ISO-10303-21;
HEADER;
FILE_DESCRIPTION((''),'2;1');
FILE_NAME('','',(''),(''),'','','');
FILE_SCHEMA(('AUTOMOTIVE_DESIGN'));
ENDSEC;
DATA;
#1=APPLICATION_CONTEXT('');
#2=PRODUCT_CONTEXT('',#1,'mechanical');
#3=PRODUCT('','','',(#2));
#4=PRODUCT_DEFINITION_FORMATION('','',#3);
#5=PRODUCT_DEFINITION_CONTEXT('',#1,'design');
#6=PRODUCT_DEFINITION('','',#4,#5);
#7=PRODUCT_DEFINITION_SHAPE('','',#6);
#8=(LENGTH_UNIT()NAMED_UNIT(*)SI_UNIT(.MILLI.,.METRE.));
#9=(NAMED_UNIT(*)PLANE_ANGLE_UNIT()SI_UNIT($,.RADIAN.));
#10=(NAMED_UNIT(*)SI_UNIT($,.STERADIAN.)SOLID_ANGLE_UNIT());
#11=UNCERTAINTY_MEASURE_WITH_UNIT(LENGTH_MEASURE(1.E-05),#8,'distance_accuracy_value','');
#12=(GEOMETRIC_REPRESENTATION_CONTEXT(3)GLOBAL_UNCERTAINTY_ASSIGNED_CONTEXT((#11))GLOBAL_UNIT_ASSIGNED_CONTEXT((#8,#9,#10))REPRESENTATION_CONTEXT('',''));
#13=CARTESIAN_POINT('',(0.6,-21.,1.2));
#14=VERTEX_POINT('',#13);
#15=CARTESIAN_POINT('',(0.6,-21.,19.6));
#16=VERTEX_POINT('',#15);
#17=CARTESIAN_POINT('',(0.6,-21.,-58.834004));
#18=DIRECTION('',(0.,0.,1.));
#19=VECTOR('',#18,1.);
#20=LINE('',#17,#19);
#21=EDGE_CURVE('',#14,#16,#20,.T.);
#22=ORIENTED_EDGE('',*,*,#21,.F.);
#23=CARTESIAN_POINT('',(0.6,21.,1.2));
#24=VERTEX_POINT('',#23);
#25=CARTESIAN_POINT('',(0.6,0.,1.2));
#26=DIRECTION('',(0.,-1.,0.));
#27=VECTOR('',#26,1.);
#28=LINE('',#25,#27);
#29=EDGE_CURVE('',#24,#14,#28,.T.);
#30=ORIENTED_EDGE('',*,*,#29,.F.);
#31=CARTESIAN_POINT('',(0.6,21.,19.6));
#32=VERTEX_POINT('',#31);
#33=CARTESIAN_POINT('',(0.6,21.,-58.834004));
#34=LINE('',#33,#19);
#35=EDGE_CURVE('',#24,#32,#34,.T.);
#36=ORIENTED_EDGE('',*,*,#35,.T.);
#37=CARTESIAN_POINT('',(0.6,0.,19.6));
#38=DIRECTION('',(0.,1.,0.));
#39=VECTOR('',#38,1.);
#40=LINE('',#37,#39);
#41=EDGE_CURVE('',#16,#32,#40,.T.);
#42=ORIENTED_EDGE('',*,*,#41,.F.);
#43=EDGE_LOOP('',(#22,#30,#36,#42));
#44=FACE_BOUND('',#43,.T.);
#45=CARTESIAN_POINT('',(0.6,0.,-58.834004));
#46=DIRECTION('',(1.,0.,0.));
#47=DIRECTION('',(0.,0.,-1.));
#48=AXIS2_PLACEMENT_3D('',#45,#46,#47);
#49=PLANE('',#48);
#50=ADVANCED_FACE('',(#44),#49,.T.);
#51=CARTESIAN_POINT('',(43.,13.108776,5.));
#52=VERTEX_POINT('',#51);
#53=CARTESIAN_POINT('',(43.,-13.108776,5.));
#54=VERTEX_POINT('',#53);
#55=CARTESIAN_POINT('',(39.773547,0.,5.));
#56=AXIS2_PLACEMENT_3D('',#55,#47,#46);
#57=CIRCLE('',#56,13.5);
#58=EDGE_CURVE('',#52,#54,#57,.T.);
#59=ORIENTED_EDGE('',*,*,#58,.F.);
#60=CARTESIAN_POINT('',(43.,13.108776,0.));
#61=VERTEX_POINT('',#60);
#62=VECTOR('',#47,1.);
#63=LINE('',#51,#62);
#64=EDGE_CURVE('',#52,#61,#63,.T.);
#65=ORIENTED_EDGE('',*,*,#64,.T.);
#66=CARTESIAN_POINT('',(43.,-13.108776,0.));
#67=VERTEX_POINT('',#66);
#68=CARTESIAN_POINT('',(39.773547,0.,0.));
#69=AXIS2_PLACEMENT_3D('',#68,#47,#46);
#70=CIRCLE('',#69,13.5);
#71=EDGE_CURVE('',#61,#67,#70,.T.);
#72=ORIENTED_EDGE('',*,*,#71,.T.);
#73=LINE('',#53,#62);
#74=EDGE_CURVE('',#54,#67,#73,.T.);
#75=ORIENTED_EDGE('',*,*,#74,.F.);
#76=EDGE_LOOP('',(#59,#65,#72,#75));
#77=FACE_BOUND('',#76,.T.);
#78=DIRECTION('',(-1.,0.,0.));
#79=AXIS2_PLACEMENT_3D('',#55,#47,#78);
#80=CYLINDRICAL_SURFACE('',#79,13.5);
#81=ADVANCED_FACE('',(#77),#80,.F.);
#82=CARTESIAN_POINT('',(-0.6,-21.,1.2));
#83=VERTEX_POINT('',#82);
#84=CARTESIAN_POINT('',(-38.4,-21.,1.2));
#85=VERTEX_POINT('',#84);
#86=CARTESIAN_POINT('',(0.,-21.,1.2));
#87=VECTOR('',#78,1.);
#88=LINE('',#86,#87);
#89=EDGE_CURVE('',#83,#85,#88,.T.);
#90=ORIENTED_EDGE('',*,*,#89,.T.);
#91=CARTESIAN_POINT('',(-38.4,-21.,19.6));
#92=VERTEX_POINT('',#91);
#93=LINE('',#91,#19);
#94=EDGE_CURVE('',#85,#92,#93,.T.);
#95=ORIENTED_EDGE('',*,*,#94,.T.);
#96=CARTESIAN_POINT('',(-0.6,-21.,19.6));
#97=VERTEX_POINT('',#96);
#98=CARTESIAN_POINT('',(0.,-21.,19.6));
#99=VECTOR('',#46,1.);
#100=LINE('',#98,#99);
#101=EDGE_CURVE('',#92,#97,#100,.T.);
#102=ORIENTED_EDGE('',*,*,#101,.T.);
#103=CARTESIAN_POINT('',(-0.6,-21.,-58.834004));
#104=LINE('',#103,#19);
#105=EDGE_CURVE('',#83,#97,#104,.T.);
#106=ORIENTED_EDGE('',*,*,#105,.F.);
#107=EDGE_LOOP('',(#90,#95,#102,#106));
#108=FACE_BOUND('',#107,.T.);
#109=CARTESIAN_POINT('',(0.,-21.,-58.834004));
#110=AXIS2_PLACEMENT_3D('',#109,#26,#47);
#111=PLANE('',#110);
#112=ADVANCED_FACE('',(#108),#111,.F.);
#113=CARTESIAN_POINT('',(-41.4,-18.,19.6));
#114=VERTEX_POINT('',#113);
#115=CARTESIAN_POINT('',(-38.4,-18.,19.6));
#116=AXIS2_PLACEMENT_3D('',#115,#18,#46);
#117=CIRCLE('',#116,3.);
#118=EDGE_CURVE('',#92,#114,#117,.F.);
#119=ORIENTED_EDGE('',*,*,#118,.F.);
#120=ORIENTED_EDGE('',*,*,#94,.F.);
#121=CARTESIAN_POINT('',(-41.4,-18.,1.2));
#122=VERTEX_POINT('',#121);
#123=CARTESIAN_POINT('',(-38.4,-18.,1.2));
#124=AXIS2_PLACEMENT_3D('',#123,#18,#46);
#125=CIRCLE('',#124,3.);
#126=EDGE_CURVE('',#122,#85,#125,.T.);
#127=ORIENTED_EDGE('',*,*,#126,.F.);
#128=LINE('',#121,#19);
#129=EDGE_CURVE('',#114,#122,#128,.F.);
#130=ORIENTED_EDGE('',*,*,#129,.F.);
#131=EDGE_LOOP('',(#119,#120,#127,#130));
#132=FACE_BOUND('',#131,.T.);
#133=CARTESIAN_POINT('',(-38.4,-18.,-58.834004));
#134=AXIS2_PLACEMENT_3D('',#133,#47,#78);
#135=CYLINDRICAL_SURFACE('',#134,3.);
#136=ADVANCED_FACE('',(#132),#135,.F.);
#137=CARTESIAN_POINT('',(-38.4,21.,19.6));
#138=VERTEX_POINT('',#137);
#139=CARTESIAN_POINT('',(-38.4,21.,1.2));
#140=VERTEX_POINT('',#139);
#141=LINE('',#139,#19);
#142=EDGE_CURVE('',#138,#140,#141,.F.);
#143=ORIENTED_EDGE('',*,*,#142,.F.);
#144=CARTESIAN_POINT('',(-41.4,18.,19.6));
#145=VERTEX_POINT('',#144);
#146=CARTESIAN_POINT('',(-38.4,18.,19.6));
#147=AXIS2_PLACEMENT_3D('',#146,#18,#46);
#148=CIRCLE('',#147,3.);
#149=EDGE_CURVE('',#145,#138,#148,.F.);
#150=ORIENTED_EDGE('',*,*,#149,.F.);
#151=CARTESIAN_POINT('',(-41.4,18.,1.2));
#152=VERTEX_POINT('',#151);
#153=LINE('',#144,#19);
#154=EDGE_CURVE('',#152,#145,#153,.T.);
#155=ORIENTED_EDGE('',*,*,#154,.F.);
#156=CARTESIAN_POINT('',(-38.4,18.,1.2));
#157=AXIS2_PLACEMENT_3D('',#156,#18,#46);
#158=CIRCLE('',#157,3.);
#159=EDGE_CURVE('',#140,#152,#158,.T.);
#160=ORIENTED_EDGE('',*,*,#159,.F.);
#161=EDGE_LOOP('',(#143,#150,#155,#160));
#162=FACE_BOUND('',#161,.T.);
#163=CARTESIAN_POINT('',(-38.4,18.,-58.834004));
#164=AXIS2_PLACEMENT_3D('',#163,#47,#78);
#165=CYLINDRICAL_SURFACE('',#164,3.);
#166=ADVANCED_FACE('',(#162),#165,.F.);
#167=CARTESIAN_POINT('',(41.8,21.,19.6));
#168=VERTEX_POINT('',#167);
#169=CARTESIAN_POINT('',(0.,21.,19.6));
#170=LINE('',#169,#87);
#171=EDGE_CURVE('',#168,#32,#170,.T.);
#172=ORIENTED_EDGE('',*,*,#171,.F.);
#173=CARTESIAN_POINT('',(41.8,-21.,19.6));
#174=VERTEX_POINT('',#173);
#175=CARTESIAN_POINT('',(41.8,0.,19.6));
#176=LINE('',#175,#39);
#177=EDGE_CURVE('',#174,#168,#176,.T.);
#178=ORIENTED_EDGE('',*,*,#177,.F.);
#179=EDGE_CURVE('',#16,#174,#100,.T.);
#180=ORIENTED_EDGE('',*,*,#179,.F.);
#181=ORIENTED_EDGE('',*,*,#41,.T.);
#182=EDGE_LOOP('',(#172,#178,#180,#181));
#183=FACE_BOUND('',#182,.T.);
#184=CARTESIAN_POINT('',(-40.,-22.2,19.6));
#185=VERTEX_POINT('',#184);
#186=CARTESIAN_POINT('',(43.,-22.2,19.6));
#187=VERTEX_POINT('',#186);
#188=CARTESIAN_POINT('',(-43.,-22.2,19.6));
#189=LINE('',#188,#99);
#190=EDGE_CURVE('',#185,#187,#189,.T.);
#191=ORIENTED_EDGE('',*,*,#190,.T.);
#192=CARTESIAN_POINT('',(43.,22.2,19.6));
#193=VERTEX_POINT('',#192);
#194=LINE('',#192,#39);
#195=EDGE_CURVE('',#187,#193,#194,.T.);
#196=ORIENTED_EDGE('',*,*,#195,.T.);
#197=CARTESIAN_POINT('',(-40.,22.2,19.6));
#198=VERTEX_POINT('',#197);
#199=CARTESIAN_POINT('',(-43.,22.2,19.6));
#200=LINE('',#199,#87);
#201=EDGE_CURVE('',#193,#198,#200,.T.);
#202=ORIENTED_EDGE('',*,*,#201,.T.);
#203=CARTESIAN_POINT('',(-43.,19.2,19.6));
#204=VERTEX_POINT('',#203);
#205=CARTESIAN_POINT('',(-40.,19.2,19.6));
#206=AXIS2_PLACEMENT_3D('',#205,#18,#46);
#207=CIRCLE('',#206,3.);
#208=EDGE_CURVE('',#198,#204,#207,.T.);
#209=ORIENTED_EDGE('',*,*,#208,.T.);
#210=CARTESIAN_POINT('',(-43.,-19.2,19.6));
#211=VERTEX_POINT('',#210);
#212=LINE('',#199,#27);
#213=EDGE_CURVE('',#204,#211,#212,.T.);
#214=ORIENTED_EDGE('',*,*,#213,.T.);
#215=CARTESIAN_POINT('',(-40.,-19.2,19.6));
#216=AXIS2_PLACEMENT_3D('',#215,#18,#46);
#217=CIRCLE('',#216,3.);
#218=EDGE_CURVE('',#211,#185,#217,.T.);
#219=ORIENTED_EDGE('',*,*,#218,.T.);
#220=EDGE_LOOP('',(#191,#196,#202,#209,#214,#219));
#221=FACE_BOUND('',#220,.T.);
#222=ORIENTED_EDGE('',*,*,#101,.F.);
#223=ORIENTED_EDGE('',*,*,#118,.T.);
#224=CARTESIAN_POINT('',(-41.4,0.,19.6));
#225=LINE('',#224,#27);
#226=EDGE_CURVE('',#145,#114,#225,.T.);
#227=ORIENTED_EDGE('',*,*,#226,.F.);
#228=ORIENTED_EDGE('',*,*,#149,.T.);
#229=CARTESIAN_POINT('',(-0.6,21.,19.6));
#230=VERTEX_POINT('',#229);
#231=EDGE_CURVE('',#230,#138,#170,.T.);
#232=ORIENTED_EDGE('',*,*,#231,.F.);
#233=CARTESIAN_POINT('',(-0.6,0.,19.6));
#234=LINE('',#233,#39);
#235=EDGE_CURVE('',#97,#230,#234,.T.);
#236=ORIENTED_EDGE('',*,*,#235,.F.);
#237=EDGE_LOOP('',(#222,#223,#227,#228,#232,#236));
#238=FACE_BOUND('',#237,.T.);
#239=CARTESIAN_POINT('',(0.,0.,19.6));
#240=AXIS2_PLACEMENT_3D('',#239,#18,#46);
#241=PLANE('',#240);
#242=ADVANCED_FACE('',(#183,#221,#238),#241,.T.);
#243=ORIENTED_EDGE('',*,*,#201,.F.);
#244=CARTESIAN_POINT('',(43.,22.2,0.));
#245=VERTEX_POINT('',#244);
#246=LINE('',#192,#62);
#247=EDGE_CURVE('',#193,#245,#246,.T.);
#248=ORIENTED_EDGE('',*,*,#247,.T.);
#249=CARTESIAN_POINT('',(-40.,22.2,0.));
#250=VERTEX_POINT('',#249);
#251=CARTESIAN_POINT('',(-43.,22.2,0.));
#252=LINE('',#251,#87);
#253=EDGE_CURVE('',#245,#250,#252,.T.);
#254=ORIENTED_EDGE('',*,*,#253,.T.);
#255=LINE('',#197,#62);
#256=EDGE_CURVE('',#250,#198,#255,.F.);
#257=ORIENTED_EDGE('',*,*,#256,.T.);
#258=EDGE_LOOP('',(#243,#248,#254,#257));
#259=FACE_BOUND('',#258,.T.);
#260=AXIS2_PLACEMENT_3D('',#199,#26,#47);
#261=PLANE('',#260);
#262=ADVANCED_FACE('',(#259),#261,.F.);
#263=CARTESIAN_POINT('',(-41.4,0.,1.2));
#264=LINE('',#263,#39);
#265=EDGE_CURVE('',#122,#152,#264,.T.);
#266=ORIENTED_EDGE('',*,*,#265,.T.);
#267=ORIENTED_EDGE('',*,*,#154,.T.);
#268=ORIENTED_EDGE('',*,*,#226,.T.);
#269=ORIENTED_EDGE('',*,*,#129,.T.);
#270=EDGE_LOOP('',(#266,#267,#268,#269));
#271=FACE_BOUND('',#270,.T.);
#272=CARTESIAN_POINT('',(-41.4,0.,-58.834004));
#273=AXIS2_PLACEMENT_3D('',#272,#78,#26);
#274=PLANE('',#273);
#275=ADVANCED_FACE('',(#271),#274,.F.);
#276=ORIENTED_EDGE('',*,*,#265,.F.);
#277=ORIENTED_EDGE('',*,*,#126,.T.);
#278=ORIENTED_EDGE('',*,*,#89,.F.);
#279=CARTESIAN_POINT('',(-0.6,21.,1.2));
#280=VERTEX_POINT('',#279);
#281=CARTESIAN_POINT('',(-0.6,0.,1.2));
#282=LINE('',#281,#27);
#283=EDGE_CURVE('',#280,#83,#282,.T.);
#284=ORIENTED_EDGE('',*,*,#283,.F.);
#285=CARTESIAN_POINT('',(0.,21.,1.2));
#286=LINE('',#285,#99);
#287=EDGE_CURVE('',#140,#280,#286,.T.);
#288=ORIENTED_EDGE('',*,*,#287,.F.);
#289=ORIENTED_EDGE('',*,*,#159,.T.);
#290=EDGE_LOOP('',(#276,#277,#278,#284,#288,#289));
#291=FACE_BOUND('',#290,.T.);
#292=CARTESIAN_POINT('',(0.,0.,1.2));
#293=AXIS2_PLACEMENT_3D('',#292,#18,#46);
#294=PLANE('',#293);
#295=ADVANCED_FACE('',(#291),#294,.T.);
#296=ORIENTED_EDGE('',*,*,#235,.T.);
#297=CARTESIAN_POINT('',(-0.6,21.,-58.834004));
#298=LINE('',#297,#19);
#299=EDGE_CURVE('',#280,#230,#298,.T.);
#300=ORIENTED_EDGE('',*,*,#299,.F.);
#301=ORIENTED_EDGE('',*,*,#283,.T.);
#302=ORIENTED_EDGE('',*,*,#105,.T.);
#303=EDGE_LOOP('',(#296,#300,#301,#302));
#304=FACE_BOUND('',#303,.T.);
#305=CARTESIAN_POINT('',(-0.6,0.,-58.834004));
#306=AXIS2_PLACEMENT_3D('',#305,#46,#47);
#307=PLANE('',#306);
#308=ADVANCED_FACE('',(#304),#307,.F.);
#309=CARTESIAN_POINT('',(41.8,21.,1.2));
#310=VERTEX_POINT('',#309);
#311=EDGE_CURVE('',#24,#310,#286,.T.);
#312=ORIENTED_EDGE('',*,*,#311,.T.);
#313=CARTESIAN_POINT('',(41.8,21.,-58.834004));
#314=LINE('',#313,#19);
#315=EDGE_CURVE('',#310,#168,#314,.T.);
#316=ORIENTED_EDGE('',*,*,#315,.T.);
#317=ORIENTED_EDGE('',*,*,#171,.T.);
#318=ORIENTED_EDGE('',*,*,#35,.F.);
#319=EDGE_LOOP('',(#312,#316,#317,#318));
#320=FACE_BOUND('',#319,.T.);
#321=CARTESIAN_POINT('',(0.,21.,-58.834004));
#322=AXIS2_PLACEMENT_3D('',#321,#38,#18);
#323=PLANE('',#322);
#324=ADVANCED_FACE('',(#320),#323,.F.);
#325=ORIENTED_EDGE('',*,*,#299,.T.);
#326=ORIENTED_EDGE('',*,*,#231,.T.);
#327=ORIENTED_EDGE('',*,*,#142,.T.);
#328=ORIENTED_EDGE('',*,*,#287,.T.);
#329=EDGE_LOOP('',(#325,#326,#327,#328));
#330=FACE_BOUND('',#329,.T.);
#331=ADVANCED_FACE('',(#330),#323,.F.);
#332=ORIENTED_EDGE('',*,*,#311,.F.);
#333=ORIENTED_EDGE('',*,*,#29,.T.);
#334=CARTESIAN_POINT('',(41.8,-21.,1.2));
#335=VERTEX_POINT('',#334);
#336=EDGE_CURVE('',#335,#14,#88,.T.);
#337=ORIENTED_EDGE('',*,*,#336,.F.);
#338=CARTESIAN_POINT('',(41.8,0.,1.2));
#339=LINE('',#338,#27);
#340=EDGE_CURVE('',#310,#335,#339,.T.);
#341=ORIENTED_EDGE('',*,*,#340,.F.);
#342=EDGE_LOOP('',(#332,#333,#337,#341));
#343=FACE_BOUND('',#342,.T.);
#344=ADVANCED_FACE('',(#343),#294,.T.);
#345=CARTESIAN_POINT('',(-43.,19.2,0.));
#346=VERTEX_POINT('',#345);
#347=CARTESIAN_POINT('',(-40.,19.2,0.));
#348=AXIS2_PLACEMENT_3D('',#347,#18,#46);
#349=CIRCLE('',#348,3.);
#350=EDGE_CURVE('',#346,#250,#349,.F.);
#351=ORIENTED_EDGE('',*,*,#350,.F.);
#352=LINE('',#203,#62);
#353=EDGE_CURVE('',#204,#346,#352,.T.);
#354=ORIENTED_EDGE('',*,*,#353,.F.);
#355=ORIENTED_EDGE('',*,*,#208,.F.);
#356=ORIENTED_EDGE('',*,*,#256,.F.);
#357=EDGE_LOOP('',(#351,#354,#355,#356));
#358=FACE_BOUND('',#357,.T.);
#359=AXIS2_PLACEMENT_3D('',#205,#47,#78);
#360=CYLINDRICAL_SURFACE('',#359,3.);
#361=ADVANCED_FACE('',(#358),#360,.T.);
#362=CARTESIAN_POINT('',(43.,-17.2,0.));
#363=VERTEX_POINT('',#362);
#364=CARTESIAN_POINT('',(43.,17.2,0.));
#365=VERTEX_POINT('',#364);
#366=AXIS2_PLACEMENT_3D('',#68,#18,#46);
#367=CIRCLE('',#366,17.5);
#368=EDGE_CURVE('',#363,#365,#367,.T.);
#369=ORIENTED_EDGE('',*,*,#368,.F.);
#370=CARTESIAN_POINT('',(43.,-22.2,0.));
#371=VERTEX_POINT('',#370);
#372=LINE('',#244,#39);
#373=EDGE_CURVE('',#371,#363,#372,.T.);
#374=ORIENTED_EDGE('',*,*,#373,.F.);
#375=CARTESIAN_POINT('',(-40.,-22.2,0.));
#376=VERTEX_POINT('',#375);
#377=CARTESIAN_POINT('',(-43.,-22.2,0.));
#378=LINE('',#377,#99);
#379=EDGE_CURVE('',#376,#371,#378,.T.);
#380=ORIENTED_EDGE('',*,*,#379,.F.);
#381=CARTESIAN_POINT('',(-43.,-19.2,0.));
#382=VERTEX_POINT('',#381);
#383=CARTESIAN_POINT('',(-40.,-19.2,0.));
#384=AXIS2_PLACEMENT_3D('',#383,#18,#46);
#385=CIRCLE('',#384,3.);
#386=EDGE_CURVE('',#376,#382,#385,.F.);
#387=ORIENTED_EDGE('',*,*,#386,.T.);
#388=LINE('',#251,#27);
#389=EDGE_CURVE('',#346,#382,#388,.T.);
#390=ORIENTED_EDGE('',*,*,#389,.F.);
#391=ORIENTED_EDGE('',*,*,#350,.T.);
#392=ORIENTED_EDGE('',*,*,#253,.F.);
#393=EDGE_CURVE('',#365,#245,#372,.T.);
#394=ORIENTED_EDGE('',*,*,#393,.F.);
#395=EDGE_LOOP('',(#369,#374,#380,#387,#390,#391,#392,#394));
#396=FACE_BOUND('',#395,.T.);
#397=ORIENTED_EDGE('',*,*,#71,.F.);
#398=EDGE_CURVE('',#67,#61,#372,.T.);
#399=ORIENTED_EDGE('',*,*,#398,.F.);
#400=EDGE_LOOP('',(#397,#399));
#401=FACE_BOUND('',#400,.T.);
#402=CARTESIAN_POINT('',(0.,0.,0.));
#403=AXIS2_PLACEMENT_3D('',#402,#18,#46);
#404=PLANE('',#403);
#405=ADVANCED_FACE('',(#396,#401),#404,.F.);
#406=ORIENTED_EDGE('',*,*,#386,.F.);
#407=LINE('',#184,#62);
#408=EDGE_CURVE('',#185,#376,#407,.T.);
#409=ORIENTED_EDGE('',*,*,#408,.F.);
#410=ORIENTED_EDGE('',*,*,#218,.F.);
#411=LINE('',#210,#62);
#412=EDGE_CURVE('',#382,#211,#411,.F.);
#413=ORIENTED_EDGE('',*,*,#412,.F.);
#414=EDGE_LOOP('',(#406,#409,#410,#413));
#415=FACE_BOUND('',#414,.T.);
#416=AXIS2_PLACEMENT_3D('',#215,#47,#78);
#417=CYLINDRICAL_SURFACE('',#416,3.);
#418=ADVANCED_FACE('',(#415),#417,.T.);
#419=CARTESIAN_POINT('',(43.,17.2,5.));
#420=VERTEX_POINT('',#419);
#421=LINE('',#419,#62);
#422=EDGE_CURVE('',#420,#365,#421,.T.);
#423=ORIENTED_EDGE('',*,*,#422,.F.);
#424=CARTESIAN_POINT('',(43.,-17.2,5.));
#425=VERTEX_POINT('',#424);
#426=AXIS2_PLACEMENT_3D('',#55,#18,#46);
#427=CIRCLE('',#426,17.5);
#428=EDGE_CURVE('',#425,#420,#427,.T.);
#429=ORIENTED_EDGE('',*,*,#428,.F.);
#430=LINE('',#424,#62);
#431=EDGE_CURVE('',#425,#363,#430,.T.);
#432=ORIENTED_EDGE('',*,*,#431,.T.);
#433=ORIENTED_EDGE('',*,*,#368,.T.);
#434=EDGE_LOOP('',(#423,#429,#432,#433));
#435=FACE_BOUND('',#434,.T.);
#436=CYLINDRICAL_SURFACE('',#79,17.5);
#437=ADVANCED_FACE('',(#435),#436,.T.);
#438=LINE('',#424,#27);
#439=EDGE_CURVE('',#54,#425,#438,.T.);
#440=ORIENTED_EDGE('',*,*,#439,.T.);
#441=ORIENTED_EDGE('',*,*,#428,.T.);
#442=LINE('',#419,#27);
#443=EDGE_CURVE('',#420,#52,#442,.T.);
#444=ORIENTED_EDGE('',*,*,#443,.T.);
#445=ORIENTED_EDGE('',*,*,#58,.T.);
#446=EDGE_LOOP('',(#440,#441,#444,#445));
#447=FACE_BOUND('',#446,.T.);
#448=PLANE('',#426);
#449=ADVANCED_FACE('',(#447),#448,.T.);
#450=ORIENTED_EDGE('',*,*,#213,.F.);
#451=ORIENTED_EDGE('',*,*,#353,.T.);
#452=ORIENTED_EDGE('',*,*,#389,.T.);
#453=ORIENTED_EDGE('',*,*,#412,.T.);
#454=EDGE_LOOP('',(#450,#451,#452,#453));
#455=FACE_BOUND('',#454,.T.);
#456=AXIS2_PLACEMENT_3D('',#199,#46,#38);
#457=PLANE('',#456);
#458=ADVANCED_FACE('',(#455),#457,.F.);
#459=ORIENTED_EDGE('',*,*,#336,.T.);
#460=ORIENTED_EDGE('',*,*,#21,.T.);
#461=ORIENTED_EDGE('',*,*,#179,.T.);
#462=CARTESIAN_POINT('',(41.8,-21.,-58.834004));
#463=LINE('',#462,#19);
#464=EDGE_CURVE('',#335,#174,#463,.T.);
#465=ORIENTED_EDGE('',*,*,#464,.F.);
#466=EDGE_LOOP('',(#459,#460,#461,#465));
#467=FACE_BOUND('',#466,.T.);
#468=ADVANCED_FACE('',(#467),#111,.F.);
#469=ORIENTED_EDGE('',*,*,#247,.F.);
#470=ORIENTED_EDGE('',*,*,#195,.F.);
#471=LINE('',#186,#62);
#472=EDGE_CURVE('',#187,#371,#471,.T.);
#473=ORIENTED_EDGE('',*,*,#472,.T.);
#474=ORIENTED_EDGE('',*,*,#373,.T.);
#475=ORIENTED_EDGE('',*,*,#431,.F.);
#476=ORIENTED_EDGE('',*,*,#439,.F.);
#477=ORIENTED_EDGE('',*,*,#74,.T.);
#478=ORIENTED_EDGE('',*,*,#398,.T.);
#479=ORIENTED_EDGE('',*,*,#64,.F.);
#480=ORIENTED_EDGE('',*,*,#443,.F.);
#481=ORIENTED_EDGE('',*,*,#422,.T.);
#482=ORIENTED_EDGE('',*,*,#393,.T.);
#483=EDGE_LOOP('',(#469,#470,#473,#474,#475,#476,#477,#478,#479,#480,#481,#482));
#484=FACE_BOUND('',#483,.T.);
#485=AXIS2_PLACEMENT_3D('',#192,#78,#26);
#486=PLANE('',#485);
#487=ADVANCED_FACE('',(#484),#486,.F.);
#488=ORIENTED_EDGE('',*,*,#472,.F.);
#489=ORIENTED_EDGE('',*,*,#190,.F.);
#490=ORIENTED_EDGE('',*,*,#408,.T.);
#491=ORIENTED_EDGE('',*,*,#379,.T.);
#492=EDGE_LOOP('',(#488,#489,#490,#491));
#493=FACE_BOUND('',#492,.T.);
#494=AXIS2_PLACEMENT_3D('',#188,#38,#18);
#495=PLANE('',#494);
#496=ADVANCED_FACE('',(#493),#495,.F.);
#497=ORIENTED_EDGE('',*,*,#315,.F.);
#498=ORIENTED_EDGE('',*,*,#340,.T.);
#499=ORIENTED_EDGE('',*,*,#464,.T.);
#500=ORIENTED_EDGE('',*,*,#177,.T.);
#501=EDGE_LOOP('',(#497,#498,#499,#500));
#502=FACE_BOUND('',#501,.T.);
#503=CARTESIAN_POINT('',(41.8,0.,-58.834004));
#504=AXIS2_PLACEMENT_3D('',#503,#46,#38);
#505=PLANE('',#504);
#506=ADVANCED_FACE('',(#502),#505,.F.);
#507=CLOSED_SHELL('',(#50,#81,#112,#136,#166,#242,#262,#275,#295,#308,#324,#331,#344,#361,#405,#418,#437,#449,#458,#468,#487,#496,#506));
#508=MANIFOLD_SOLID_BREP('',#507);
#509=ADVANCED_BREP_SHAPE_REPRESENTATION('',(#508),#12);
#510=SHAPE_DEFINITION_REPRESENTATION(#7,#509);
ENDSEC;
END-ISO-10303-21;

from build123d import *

# Parameters (mm, degrees)
SKETCH_1_W          = 86
SKETCH_1_H          = 44.4
EXTRUDE_1_DEPTH     = 19.6
EXTRUDE_2_DEPTH     = 5
SKETCH_3_W          = 40.8
SKETCH_3_H          = 42
SKETCH_3_W_2        = 41.2
CUT_EXTRUDE_1_DEPTH = 18.4
FILLET_1_R          = 3


with BuildPart() as part:
    # Эскиз1 → Бобышка-Вытянуть1 (new body)
    with BuildSketch(Plane.XY):
        Rectangle(SKETCH_1_W, SKETCH_1_H)
    extrude(amount=EXTRUDE_1_DEPTH)

    # Эскиз2 → Бобышка-Вытянуть2 (add)
    with BuildSketch(Plane.XY):
        with BuildLine():
            Line((43, 17.2), (43, 13.108775687))
            ThreePointArc((43, 13.108775687), (53.273546839, 0), (43, -13.108775687))
            Line((43, -13.108775687), (43, -17.2))
            ThreePointArc((43, -17.2), (57.273546839, 0), (43, 17.2))
        make_face()
    extrude(amount=EXTRUDE_2_DEPTH)

    # Эскиз3 → Вырез-Вытянуть1 (cut)
    with BuildSketch(Plane.XY.offset(19.6)):
        with Locations((-21, 0)):
            Rectangle(SKETCH_3_W, SKETCH_3_H)
        with Locations((21.2, 0)):
            Rectangle(SKETCH_3_W_2, SKETCH_3_H)
    extrude(amount=-CUT_EXTRUDE_1_DEPTH, mode=Mode.SUBTRACT)

    # Скругление1
    fillet_1_edges = [part.edges().sort_by_distance(p)[0] for p in [
        (-41.4, -21, 10.4),
        (-41.4, 21, 10.4),
        (-43, -22.2, 9.8),
        (-43, 22.2, 9.8),
    ]]
    fillet(fillet_1_edges, radius=FILLET_1_R)


solid = part.part
